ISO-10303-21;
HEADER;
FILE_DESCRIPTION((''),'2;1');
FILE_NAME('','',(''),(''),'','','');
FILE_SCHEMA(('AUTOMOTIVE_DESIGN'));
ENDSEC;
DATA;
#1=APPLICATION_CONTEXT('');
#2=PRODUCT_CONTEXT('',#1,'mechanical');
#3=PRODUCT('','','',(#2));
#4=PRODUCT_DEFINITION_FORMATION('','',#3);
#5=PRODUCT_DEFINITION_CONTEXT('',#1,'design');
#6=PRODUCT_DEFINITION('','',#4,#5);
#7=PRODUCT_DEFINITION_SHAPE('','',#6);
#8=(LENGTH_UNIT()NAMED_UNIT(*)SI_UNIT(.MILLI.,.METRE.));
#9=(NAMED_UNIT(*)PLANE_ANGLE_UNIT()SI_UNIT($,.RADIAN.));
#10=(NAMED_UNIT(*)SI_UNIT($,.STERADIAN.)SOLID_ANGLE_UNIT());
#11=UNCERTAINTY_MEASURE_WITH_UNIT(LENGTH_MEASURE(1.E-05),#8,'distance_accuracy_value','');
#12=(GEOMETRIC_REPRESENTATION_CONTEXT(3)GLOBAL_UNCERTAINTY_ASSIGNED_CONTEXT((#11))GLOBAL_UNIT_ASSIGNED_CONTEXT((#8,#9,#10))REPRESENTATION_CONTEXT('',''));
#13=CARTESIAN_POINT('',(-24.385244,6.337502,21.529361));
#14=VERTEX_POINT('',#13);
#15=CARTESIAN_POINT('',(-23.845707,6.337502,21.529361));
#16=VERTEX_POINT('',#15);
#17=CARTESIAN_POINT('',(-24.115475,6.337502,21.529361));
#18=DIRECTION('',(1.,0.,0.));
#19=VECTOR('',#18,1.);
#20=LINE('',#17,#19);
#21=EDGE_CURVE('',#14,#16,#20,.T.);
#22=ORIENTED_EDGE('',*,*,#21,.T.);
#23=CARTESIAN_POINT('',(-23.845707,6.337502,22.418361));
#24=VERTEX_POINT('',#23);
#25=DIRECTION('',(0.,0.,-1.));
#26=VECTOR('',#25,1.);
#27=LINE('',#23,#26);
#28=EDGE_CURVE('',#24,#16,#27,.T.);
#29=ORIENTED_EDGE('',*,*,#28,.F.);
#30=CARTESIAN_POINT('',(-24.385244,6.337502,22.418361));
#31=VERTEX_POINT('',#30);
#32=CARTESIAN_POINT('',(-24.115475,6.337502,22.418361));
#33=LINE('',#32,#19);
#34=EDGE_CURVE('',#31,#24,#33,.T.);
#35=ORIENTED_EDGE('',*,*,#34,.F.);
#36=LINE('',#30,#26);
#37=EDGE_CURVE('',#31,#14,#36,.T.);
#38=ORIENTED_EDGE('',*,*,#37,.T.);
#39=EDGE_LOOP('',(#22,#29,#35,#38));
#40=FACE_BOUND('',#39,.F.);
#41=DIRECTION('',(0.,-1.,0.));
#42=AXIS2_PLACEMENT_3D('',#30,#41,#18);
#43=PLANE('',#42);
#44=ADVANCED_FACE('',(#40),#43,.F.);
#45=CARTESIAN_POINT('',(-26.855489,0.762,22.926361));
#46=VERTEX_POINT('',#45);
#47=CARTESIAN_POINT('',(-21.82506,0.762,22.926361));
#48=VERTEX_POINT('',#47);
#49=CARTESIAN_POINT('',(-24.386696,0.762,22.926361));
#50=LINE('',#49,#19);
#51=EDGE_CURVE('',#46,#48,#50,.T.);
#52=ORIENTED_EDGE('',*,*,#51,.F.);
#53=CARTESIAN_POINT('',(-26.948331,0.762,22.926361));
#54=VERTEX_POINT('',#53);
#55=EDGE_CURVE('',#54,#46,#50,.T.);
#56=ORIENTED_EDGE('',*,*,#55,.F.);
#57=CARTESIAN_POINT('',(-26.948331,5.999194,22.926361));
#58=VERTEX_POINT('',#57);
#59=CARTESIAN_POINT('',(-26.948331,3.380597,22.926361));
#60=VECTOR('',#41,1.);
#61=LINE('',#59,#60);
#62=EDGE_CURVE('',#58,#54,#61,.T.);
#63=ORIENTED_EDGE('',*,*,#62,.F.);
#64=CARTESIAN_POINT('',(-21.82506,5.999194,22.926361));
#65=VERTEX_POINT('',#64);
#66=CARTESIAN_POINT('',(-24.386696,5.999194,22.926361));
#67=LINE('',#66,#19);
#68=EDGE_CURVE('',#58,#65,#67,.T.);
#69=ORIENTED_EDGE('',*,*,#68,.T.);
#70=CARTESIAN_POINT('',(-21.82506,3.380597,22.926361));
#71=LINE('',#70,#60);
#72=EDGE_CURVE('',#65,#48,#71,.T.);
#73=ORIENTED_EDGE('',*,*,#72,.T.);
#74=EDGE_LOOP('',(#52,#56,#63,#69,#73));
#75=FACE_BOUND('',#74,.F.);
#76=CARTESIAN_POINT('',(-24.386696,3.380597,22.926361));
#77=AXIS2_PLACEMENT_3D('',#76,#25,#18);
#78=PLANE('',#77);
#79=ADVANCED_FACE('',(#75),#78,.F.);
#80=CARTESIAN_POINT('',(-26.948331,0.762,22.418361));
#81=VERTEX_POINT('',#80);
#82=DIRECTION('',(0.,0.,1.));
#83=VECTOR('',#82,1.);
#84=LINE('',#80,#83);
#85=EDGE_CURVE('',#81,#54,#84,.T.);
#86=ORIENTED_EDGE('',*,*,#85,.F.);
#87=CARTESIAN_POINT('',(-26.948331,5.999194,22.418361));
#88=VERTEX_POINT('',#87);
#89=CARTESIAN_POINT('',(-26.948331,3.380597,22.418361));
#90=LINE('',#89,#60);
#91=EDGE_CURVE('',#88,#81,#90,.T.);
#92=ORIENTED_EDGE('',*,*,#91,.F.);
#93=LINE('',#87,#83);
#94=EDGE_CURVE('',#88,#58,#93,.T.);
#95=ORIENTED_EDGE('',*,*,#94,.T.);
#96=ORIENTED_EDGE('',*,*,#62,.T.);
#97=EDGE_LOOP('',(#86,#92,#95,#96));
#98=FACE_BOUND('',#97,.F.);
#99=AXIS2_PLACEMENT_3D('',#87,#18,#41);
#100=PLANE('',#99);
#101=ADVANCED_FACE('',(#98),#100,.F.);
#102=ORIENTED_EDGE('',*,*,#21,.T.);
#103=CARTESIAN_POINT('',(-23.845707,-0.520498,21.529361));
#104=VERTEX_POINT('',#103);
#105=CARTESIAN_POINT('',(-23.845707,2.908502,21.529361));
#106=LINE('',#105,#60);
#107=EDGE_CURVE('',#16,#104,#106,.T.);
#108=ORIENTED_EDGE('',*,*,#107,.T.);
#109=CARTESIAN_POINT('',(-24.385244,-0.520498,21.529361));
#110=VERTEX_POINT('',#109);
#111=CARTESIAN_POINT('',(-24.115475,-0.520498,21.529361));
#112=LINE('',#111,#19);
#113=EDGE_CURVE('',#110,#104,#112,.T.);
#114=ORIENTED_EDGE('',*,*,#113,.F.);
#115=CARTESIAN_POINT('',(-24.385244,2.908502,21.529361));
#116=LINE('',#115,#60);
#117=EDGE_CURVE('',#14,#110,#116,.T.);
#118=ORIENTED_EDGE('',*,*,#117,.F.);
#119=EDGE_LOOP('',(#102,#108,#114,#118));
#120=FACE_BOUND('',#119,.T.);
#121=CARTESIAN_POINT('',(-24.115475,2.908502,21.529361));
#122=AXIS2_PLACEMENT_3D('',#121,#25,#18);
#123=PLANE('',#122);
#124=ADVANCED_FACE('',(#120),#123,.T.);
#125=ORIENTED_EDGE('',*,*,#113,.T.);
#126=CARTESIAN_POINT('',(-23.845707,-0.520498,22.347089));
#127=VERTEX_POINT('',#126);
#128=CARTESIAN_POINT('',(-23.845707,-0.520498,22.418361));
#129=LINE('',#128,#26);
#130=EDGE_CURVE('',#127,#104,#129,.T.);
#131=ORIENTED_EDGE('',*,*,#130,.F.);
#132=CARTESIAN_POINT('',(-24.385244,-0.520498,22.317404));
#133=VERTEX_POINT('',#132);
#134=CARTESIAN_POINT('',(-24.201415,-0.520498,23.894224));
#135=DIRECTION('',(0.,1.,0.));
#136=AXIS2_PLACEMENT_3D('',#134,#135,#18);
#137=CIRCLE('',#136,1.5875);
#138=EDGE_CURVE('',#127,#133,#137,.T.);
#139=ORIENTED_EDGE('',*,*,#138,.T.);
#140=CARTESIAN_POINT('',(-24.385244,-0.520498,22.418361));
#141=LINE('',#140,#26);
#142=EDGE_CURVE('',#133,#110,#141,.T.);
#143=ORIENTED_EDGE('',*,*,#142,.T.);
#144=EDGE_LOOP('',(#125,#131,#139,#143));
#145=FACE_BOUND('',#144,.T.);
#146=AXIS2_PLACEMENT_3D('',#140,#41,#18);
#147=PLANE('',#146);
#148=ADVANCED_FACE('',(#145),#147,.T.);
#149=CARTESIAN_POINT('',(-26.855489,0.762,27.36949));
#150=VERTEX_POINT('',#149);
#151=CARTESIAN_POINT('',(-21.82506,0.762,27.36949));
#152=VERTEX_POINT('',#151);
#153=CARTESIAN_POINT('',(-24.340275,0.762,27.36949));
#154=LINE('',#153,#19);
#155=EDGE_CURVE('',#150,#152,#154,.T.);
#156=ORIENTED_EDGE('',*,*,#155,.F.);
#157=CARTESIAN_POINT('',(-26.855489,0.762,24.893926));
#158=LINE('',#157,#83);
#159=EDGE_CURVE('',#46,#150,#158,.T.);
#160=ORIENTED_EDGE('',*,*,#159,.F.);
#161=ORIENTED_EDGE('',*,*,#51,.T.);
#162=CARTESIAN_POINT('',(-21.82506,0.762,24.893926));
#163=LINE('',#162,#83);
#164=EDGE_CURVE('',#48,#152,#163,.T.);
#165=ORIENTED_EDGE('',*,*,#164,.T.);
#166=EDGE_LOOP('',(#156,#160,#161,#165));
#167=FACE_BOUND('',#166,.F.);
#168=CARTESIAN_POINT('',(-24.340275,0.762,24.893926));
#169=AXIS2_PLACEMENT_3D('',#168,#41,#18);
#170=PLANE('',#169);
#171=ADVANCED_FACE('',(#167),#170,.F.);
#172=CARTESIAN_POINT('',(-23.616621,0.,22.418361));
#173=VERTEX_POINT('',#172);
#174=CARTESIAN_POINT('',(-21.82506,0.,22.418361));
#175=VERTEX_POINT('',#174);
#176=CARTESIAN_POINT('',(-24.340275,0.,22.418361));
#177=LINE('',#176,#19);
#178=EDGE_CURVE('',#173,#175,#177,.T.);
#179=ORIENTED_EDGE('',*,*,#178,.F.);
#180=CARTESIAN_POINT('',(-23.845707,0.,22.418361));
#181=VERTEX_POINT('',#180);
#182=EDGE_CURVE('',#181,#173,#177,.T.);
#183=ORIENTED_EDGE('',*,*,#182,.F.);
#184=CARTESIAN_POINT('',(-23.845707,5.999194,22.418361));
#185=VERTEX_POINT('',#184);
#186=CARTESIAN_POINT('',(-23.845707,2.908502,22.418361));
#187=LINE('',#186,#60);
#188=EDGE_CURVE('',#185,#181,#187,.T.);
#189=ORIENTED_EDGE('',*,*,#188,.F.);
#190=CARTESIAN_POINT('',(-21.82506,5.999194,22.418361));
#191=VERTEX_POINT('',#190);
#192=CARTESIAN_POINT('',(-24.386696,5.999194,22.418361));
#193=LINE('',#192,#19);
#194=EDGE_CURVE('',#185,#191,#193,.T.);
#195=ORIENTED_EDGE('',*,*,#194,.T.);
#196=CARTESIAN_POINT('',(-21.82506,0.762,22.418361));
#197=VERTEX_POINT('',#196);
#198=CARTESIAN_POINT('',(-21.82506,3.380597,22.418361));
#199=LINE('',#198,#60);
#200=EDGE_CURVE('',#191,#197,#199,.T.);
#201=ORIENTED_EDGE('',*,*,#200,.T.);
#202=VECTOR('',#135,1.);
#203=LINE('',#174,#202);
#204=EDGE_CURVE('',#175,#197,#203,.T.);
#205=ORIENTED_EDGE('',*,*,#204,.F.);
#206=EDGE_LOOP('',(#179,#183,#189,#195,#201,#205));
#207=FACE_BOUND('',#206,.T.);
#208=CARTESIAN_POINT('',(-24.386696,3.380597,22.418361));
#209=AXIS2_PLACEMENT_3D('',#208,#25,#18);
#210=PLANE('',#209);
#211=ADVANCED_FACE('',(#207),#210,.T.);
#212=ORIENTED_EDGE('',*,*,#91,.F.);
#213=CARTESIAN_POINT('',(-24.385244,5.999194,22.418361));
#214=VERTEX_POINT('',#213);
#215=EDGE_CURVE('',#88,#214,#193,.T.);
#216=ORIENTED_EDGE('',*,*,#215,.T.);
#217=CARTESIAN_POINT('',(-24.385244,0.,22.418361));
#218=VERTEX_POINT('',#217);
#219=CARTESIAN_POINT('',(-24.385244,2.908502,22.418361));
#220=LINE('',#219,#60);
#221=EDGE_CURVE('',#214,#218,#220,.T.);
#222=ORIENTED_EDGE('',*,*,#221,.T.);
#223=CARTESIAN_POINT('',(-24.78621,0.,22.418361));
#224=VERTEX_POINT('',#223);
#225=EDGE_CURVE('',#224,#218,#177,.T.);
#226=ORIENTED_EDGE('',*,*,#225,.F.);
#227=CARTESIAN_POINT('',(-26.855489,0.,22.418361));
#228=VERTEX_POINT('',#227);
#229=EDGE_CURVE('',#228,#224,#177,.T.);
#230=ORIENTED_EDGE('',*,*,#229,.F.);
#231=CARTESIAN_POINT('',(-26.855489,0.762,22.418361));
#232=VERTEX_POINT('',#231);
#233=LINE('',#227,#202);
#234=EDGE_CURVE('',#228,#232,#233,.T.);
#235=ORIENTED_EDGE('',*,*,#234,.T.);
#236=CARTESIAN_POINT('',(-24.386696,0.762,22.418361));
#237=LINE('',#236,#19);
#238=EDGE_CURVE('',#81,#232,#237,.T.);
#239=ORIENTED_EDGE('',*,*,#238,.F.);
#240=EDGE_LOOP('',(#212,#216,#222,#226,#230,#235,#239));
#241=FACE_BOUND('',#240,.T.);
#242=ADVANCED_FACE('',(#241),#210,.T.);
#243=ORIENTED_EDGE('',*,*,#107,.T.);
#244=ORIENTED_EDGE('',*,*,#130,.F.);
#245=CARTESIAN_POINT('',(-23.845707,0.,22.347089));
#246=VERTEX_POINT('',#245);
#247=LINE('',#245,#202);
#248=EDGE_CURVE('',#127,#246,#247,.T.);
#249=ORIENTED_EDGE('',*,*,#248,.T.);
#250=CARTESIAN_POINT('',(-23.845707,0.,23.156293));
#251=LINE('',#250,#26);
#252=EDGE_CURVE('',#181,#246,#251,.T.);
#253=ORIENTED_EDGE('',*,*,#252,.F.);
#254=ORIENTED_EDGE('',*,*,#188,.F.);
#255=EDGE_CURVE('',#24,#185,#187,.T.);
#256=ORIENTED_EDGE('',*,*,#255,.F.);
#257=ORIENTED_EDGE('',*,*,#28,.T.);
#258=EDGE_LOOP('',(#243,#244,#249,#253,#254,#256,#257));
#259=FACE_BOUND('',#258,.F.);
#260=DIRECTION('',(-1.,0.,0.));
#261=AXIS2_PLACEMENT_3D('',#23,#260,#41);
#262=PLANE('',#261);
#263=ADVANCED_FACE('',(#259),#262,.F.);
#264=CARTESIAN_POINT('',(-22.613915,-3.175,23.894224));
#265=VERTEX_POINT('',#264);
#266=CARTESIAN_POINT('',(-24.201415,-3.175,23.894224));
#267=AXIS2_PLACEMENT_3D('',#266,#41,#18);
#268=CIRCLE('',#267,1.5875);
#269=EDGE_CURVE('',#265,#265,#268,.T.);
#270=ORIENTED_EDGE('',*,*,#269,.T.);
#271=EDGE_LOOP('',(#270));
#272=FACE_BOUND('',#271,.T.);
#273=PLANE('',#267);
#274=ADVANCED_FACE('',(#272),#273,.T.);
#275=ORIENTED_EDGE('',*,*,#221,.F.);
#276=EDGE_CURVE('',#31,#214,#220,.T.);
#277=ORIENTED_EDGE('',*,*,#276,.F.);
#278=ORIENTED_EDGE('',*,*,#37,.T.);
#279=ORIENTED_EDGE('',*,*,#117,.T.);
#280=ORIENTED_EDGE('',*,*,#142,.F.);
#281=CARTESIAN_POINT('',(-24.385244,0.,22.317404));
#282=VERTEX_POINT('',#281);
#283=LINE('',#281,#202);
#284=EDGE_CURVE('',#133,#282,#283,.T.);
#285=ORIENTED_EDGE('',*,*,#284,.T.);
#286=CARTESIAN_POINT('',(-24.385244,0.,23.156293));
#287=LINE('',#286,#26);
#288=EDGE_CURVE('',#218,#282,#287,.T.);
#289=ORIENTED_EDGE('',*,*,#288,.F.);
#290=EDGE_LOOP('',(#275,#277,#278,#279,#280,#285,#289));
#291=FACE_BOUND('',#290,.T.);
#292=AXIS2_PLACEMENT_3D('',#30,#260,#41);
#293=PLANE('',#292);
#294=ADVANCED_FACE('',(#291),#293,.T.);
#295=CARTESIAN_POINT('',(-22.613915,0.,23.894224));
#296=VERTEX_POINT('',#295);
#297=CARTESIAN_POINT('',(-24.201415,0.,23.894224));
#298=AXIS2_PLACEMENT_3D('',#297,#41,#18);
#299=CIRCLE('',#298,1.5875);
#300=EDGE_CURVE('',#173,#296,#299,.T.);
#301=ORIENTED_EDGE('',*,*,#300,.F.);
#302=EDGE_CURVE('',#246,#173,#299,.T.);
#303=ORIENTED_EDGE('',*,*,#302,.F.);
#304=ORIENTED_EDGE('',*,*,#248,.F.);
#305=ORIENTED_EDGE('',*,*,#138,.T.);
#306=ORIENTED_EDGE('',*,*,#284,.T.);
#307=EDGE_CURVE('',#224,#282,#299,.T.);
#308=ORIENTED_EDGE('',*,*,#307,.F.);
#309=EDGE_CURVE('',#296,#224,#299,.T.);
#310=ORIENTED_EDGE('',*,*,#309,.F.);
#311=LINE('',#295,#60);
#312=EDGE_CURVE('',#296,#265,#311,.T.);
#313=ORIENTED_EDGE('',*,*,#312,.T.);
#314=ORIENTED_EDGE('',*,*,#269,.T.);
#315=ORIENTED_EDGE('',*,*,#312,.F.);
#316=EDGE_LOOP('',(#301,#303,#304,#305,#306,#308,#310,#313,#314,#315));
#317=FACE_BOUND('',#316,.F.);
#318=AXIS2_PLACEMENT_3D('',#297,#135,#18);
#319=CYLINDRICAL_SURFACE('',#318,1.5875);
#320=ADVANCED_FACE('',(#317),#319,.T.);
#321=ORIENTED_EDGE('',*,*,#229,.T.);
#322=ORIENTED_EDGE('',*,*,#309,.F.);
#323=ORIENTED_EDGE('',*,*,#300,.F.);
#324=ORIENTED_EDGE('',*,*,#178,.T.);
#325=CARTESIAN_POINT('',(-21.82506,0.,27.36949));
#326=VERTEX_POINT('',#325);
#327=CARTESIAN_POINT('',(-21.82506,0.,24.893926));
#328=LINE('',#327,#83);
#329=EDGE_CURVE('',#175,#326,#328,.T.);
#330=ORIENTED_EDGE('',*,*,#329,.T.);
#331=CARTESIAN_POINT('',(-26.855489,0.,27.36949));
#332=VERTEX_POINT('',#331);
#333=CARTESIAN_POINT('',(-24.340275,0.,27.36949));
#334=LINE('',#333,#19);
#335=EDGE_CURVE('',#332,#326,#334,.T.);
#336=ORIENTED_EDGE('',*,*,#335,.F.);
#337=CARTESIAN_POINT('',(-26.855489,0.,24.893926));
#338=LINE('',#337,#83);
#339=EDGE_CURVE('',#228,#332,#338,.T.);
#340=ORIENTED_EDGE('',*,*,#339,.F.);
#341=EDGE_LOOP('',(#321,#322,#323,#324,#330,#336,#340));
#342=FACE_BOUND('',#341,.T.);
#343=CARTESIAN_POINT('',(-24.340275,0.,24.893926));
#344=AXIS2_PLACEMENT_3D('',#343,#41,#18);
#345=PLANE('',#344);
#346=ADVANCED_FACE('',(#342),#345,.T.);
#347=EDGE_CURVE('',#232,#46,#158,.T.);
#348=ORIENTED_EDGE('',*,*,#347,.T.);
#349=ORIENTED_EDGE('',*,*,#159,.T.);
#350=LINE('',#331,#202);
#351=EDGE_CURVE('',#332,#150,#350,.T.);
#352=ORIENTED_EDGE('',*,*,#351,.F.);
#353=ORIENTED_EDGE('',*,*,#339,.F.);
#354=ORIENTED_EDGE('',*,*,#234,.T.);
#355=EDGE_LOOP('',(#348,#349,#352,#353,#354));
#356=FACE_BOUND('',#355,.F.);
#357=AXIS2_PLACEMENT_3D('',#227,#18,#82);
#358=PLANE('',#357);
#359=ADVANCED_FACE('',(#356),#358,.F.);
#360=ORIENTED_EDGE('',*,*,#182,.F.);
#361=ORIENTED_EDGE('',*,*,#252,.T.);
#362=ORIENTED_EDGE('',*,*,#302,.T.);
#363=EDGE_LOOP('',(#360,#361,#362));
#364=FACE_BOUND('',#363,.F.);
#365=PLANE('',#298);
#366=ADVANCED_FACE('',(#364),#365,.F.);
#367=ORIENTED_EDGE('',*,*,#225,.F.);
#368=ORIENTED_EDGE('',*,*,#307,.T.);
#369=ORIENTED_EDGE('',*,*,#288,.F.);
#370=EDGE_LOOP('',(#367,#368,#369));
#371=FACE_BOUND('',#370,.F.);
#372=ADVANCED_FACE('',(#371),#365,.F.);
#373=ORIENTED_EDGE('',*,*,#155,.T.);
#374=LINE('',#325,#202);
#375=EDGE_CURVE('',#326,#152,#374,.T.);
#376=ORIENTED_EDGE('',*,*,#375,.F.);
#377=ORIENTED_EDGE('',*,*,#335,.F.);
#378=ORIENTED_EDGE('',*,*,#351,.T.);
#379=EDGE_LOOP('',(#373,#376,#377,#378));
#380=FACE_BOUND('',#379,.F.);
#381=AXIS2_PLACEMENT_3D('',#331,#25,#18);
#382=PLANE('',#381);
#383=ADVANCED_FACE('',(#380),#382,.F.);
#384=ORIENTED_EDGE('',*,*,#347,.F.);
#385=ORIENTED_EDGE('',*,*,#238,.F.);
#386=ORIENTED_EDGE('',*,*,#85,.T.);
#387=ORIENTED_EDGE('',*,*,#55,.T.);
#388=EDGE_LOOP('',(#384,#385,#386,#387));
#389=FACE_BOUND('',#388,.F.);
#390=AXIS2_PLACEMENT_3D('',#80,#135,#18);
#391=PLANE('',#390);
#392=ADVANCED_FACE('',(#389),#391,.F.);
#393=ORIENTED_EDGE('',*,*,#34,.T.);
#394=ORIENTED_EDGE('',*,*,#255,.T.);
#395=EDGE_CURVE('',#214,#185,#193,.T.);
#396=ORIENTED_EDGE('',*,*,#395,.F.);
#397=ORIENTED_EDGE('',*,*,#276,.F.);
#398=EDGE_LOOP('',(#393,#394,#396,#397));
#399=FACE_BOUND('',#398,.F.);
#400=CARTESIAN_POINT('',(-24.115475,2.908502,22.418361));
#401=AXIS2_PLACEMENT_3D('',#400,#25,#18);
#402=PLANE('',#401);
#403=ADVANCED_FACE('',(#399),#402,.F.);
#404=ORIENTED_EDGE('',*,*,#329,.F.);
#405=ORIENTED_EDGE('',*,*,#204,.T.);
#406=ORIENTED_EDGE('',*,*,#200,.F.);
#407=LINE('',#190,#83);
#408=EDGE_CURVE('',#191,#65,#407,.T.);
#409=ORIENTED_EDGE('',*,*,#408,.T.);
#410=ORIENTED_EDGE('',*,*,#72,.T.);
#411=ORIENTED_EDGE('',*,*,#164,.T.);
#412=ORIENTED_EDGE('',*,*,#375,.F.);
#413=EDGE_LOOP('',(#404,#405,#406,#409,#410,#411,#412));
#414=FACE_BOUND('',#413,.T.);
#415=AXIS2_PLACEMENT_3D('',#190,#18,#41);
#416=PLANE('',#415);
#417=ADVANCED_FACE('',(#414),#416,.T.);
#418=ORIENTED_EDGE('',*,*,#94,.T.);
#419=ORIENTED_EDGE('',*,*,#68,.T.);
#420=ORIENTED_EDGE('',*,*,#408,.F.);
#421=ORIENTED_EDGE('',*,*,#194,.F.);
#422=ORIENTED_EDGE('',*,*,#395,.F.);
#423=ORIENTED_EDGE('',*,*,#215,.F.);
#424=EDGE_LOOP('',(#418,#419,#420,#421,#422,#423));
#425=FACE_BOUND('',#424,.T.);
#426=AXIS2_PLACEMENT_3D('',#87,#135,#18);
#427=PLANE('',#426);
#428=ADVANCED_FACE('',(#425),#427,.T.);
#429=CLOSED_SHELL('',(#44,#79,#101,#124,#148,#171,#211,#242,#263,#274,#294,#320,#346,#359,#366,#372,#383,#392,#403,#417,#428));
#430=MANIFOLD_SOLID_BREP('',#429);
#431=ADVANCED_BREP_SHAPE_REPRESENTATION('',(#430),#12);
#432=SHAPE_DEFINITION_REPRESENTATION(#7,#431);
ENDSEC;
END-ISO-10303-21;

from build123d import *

# Parameters (mm, degrees)
F0_R     = 1.5875
F1_DEPTH = 3.175
F2_W     = 5.0304289907
F2_H     = 4.9511287361
F3_DEPTH = 0.762
F4_W     = 5.1232710698
F4_H     = 5.2371935268
F5_DEPTH = 0.508
F6_W     = 0.5395373363
F6_H     = 6.858
F7_DEPTH = 0.889


with BuildPart() as f1:
    # F0 (on Front) → F1 (new body)
    with BuildSketch(Plane.XZ):
        with Locations((-24.2014154792, 23.8942243159)):
            Circle(F0_R)
    extrude(amount=F1_DEPTH)

    # F2 (on Front) → F3 (join)
    with BuildSketch(Plane.XZ):
        with Locations((-24.3402747437, 24.8939255252)):
            Rectangle(F2_W, F2_H)
    extrude(amount=-F3_DEPTH)

    # F4 (on face) → F5 (join)
    with BuildSketch(Plane(origin=(0, 0, 22.4183611572), x_dir=(1, 0, 0), z_dir=(0, 0, -1))):
        with Locations((-24.3866957833, -3.3805967634)):
            Rectangle(F4_W, F4_H)
    extrude(amount=-F5_DEPTH)

    # F6 (on face) → F7 (join)
    with BuildSketch(Plane(origin=(0, 0, 22.4183611572), x_dir=(1, 0, 0), z_dir=(0, 0, -1))):
        with Locations((-24.1154753933, -2.9085015029)):
            Rectangle(F6_W, F6_H)
    extrude(amount=F7_DEPTH)


solid = f1.part
